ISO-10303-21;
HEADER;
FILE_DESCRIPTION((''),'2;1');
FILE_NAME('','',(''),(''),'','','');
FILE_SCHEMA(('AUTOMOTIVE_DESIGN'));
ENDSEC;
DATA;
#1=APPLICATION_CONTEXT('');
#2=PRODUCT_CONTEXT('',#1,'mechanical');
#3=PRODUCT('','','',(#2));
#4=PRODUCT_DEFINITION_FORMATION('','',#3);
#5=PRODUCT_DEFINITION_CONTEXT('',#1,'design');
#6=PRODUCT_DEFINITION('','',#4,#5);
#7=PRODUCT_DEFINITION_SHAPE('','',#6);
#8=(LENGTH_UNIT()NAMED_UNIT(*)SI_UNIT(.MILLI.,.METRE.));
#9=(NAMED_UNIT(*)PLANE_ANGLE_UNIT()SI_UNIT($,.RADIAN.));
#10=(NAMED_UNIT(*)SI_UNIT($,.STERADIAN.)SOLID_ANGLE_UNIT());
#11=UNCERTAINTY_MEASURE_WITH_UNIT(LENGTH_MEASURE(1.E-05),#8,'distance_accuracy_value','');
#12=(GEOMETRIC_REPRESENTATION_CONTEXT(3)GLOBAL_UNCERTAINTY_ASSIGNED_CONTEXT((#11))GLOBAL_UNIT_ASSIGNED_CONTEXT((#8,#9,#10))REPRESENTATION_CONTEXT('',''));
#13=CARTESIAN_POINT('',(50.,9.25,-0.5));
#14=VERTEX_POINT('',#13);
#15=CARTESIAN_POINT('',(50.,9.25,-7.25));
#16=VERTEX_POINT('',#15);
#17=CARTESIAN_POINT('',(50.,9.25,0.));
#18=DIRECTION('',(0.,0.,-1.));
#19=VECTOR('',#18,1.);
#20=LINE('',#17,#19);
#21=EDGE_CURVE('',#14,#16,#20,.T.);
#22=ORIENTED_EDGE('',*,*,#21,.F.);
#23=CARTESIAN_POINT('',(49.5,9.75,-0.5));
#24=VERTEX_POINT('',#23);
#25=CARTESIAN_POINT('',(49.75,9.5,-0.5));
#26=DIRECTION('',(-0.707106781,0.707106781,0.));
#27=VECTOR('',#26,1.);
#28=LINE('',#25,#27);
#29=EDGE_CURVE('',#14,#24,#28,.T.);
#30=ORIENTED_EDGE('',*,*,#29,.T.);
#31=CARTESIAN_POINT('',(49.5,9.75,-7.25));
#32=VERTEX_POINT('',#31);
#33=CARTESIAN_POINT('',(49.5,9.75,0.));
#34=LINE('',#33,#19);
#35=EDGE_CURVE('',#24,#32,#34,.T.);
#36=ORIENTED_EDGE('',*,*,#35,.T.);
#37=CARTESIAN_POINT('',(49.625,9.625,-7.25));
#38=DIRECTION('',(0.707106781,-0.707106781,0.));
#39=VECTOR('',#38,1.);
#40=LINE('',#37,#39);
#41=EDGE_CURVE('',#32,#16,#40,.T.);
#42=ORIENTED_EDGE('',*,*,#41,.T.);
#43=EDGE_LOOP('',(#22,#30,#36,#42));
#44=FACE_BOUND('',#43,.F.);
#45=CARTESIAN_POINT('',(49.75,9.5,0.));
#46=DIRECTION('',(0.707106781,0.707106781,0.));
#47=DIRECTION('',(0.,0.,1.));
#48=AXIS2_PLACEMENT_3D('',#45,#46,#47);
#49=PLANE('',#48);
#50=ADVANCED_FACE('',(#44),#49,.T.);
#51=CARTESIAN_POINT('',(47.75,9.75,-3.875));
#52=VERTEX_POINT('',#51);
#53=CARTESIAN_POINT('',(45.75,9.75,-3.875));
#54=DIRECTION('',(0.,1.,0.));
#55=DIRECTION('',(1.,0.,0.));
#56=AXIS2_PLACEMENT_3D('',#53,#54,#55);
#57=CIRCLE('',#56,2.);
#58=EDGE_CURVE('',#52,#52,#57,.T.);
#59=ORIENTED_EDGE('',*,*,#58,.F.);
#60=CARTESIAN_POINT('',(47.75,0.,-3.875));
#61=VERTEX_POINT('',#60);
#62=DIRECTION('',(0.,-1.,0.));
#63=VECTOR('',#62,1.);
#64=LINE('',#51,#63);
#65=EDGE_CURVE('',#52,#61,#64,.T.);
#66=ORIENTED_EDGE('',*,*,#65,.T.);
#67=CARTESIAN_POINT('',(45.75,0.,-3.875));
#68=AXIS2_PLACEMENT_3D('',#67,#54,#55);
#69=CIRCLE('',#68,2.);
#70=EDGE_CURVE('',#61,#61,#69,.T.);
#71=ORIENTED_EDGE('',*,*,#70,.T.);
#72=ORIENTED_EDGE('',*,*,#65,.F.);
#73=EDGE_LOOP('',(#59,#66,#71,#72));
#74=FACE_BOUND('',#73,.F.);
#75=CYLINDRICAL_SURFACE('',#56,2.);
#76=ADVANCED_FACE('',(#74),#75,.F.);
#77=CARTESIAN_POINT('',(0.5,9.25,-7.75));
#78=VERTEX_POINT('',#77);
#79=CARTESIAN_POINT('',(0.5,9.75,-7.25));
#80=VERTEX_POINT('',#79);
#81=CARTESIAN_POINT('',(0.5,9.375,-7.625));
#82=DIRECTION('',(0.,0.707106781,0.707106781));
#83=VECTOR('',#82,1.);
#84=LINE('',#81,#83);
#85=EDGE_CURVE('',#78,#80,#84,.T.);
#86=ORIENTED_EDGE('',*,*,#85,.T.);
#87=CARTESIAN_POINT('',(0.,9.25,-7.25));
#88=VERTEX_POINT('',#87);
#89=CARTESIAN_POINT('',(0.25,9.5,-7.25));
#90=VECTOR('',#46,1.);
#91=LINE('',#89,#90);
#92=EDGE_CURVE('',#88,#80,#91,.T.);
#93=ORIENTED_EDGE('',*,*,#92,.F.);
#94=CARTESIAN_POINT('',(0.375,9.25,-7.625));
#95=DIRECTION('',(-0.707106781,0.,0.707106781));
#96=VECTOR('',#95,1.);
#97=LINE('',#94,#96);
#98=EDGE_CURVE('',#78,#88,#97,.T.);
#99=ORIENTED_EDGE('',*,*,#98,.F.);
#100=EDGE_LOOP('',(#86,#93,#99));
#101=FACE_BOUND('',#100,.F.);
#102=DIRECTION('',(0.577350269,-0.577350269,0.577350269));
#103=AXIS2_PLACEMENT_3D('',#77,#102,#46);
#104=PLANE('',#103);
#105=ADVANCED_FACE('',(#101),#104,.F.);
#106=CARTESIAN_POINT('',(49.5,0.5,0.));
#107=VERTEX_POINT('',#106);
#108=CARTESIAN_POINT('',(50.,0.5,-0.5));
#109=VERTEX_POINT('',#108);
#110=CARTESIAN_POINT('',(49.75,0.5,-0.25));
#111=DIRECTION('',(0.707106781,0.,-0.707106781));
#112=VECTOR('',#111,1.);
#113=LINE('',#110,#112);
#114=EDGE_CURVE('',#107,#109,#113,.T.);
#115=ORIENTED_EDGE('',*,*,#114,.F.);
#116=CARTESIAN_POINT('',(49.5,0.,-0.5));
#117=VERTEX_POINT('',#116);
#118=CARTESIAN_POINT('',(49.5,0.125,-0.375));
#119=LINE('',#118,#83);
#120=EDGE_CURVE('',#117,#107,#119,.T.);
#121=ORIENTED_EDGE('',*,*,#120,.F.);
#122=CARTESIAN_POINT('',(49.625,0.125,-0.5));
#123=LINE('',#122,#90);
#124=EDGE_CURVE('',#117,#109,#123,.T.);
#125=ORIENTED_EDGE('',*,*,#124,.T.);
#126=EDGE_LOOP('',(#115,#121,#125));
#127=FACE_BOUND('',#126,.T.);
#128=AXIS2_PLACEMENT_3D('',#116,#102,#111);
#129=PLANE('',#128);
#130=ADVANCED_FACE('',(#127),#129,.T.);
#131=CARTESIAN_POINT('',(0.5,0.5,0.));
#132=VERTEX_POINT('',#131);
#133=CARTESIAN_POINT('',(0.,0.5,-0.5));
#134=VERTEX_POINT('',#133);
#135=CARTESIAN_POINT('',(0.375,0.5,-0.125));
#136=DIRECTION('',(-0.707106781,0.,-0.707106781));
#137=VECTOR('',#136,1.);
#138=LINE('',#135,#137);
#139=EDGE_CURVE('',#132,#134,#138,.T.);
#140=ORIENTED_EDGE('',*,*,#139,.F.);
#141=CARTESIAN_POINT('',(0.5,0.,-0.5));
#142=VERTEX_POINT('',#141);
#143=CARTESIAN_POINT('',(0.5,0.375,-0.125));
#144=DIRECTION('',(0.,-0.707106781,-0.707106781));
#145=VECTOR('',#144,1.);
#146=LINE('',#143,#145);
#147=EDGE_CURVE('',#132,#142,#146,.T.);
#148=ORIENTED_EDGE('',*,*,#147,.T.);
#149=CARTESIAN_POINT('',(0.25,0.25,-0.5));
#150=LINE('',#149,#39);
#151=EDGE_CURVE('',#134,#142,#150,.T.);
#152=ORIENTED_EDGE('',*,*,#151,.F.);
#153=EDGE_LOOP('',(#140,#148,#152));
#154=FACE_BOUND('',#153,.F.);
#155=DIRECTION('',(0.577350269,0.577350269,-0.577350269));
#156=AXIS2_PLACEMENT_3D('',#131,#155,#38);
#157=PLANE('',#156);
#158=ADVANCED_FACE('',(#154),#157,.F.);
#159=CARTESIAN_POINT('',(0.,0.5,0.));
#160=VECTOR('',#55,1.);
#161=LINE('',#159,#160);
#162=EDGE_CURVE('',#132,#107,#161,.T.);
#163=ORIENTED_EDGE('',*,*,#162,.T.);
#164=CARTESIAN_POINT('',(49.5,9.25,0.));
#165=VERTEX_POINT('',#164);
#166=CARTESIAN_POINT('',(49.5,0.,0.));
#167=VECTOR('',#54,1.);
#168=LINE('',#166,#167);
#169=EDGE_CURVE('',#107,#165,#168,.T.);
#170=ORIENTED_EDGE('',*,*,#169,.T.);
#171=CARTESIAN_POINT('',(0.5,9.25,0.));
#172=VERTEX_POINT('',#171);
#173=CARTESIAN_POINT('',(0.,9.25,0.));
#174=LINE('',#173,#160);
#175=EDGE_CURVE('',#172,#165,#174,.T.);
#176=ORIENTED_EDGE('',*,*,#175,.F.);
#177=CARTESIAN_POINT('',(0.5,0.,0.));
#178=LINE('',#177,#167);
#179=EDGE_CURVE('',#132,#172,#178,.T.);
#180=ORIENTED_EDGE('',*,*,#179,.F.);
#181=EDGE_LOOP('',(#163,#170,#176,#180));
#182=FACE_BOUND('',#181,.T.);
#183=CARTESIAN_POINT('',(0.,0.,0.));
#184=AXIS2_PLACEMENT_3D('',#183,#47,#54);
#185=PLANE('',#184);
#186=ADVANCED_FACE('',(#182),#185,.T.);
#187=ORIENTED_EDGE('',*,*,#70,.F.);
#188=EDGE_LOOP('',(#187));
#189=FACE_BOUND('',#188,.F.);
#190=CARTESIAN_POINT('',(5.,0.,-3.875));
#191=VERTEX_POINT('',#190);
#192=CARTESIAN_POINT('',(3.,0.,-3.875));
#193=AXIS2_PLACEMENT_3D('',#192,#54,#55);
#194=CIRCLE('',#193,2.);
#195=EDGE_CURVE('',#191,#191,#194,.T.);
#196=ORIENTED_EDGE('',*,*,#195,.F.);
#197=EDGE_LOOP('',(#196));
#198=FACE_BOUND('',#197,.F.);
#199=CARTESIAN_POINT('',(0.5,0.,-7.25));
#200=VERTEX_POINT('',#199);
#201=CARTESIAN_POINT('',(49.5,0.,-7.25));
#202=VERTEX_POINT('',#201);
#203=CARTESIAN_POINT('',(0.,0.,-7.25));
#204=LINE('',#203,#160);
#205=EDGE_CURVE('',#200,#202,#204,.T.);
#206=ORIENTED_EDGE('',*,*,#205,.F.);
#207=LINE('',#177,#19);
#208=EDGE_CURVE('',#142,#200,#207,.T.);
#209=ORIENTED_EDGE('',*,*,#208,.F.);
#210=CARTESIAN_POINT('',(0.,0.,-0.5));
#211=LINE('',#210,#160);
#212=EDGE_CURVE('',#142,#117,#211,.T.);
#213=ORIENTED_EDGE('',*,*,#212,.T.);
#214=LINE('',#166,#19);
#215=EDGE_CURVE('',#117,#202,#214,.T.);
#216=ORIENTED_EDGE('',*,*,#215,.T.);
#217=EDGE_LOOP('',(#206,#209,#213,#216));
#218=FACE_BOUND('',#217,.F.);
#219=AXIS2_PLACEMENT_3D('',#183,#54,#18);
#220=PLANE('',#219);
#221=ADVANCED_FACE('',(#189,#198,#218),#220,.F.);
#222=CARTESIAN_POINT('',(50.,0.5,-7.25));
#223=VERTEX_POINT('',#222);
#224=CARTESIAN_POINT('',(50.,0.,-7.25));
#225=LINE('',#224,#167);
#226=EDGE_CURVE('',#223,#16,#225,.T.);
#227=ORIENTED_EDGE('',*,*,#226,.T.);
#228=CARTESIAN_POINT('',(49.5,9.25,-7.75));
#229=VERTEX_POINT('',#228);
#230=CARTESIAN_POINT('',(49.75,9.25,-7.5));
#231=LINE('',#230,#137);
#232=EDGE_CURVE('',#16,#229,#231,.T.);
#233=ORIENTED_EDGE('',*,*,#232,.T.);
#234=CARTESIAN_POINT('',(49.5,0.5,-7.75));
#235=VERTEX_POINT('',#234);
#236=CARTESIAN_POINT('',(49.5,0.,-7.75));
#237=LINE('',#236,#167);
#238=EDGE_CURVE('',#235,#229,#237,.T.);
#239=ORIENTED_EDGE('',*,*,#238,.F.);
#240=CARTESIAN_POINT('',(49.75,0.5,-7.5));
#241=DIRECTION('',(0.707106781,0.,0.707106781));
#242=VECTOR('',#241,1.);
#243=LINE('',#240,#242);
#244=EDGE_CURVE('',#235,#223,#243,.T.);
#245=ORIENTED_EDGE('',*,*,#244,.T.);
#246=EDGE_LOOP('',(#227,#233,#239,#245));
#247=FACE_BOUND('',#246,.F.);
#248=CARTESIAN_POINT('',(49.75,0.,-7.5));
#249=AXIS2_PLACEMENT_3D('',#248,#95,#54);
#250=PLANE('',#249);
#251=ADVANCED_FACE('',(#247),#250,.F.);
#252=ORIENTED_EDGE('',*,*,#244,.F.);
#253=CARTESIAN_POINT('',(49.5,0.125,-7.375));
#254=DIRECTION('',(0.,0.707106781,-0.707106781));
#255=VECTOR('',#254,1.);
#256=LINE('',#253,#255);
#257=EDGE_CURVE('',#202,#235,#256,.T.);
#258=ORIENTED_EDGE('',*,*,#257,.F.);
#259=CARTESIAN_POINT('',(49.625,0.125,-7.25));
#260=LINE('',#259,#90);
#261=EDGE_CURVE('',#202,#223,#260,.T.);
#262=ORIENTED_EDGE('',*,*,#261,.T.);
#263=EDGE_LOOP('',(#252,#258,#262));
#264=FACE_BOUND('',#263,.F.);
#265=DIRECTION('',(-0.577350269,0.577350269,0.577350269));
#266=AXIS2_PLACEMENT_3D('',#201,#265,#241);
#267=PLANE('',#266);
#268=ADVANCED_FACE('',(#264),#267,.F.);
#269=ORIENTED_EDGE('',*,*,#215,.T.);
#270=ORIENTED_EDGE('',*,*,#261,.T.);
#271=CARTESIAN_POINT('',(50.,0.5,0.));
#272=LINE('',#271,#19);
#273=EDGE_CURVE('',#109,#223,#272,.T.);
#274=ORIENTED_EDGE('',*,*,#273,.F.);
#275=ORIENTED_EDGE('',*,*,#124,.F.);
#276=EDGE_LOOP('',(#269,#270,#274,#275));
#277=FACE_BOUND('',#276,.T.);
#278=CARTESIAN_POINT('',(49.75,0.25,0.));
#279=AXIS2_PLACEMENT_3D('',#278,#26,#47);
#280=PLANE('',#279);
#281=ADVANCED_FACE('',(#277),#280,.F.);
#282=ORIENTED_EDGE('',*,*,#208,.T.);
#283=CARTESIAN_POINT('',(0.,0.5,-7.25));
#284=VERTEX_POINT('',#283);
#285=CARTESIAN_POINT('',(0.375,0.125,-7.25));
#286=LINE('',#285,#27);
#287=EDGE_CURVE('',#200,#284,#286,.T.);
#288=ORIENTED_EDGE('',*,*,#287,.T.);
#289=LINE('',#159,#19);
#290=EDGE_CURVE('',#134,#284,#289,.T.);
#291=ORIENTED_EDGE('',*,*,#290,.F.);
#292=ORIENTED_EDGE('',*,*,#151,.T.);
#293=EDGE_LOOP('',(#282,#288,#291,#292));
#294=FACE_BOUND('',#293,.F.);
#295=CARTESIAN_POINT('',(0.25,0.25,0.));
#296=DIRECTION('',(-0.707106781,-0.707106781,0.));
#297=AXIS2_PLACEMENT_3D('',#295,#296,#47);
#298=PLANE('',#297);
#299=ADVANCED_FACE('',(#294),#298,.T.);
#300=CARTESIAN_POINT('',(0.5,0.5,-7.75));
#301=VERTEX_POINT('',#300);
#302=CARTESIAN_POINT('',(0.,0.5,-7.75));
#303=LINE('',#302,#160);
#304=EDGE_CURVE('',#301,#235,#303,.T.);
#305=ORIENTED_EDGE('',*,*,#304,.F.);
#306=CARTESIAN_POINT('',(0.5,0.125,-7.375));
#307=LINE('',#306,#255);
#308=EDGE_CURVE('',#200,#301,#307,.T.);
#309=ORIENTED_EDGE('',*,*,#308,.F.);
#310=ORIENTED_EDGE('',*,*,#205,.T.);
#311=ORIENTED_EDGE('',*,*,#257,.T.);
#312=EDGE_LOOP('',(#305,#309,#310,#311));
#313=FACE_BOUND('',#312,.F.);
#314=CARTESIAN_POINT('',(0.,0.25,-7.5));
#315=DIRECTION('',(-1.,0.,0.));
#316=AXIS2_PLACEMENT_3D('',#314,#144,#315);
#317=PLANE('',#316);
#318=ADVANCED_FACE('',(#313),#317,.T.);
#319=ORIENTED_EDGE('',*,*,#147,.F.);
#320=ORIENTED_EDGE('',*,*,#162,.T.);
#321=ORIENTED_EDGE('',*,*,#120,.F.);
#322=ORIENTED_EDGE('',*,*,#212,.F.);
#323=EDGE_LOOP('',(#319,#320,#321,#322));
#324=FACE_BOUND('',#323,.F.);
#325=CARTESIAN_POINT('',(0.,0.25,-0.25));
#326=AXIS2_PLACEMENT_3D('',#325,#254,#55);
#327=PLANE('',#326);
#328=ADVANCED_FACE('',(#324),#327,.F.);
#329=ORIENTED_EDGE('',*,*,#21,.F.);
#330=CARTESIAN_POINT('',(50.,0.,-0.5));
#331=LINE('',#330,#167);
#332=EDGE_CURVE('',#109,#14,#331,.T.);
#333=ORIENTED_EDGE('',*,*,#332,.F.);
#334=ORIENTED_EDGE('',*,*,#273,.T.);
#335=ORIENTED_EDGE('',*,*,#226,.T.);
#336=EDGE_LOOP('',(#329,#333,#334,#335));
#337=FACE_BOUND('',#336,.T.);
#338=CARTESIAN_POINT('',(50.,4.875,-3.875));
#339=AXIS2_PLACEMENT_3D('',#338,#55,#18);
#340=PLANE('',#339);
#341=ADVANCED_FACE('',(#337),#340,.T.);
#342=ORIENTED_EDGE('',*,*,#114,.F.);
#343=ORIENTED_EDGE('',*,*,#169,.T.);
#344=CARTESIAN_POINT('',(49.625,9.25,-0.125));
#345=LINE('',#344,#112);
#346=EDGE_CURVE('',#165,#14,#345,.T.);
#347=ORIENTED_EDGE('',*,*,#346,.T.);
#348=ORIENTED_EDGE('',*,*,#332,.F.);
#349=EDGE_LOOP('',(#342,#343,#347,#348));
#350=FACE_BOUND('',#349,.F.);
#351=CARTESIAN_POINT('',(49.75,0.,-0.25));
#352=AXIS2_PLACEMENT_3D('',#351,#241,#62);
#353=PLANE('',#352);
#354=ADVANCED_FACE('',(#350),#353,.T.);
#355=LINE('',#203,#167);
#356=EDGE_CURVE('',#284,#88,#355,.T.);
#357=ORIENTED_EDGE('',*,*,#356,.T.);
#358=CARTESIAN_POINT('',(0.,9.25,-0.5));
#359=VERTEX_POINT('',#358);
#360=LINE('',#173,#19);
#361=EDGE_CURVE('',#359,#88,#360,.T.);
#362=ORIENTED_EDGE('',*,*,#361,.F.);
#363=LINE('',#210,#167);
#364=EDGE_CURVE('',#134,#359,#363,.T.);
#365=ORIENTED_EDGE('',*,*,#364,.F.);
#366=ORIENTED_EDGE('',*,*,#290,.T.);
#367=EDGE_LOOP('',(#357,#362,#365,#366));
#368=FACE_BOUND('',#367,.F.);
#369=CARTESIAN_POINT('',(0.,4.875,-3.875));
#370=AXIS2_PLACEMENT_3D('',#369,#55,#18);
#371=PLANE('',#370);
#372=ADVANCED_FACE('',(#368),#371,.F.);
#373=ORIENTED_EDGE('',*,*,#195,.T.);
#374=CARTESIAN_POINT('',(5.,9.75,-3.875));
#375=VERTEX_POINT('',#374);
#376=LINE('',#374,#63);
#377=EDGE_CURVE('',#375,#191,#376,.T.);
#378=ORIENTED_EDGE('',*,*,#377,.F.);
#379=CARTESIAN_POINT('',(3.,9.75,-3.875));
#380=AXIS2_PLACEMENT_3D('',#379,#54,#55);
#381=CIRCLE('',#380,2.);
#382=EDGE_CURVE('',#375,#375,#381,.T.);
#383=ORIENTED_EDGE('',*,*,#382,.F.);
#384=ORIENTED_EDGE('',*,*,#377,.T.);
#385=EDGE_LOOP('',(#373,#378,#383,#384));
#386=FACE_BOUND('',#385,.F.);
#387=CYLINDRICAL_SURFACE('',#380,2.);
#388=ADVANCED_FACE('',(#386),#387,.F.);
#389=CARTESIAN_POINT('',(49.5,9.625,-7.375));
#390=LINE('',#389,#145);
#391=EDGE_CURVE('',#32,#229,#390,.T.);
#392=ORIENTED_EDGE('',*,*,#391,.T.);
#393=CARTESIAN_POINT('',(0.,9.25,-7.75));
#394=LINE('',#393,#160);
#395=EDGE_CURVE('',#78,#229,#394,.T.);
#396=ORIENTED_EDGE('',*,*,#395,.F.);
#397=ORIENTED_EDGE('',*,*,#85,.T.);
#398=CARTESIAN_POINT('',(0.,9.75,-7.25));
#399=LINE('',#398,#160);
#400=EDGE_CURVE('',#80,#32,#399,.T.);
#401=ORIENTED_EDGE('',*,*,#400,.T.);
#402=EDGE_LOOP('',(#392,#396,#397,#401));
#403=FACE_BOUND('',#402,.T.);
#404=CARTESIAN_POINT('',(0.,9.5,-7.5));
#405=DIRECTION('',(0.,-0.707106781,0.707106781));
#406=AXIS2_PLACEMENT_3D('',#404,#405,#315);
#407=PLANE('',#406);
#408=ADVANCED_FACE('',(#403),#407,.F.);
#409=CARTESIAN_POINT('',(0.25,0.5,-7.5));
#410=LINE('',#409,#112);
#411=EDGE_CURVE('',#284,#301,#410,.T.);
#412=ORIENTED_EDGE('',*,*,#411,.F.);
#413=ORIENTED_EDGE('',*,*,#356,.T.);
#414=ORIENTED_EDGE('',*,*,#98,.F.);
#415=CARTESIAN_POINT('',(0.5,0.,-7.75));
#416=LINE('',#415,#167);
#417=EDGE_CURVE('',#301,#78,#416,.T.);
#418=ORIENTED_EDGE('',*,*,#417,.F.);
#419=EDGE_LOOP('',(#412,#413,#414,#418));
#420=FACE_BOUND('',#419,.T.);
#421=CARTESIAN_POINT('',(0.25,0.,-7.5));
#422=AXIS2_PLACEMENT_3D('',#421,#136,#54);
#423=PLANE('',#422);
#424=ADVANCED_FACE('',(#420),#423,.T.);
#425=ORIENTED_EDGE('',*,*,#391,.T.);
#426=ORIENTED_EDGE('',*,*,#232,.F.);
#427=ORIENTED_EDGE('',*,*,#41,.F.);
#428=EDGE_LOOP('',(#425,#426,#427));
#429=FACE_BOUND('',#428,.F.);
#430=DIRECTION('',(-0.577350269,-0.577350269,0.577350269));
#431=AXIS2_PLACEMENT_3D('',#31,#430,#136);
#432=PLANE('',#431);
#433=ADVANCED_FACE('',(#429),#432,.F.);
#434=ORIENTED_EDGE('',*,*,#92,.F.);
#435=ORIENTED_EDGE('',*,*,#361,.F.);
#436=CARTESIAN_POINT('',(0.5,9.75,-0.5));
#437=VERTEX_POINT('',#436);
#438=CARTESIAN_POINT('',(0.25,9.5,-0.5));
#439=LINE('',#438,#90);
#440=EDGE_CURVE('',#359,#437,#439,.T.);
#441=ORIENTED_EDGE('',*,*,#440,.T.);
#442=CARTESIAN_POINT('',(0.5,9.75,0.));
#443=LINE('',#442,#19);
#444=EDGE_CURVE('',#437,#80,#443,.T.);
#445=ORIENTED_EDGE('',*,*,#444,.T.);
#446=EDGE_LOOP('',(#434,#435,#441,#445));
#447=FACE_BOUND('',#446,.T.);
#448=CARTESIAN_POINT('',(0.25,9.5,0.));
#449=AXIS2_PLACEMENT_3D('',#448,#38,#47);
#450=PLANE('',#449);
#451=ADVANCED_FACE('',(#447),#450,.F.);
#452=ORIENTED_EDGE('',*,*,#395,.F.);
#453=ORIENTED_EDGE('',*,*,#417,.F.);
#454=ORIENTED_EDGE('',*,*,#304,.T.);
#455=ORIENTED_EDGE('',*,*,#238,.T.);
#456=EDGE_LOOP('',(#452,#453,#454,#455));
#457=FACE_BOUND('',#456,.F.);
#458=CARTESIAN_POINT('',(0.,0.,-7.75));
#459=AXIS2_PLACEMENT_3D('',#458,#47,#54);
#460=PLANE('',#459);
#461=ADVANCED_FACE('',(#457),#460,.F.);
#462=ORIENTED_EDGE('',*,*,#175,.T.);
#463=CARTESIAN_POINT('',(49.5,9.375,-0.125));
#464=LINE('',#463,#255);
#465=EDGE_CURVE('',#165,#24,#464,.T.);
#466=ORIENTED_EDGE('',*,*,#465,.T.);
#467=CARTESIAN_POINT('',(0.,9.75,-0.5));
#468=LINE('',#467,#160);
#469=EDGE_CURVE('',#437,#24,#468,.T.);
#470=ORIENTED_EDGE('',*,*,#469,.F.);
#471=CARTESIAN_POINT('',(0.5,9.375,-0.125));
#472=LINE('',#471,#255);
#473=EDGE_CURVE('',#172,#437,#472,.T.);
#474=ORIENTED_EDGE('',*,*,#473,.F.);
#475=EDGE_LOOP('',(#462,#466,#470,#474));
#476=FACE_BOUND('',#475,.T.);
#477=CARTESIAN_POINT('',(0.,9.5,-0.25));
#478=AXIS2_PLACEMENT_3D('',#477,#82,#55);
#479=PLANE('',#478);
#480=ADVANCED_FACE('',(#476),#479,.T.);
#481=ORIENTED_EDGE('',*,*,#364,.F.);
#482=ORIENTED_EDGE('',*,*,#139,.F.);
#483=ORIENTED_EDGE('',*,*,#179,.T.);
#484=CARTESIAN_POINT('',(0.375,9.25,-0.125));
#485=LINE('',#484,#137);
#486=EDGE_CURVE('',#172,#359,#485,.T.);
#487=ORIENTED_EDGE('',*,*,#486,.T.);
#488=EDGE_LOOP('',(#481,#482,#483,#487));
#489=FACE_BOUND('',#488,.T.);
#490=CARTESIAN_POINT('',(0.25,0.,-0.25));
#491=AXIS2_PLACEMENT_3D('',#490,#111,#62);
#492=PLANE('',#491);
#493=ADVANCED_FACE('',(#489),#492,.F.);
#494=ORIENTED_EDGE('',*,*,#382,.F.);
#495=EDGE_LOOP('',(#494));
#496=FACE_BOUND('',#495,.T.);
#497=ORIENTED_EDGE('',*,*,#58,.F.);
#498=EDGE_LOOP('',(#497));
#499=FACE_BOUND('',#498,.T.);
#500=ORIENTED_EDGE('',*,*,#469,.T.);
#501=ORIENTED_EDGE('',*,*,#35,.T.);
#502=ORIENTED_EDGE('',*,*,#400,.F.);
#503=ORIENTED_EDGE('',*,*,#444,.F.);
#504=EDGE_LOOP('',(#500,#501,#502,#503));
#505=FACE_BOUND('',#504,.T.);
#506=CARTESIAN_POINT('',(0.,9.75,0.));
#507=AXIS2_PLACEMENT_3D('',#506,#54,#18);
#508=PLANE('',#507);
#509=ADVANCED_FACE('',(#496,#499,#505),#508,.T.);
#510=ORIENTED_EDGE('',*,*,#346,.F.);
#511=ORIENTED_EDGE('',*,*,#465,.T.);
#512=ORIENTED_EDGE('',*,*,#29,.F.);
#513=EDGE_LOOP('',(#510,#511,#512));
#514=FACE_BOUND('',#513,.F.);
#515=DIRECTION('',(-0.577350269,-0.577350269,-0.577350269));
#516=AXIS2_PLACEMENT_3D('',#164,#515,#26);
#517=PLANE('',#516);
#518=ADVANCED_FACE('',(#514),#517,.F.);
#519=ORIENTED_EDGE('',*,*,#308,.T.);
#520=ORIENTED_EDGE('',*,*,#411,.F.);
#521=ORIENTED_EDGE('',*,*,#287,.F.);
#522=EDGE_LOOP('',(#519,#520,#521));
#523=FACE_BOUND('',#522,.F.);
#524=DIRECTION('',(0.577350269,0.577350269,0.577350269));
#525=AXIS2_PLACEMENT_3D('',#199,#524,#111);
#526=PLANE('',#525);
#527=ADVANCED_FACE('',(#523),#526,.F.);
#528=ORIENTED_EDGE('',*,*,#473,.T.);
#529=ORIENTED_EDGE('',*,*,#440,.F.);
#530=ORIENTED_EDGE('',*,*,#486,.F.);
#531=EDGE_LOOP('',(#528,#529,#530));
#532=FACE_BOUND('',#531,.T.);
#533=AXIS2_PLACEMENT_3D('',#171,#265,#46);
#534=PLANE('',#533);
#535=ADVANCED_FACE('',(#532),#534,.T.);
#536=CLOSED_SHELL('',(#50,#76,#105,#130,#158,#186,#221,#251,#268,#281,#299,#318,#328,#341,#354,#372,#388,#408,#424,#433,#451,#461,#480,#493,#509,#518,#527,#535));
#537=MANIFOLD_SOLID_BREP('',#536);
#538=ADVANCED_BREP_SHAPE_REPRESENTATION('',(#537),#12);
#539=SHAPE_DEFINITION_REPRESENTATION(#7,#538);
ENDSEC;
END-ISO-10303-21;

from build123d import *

# Parameters (mm, degrees)
SKETCH1_W           = 7.75
SKETCH1_H           = 9.75
BOSS_EXTRUDE1_DEPTH = 50
SKETCH4_R           = 2
CUT_EXTRUDE3_DEPTH  = 9.75
CHAMFER1_SIZE       = 0.5


with BuildPart() as part:
    # Sketch1 → Boss-Extrude1 (new body)
    with BuildSketch(Plane(origin=(0, 0, 0), x_dir=(0, 0, -1), z_dir=(1, 0, 0))):
        with Locations((3.875, 4.875)):
            Rectangle(SKETCH1_W, SKETCH1_H)
    extrude(amount=BOSS_EXTRUDE1_DEPTH)

    # Sketch4 → Cut-Extrude3 (cut)
    with BuildSketch(Plane(origin=(0, 9.75, 0), x_dir=(1, 0, 0), z_dir=(0, 1, 0))):
        with Locations((3, 3.875)):
            Circle(SKETCH4_R)
        with Locations((45.75, 3.875)):
            Circle(SKETCH4_R)
    extrude(amount=-CUT_EXTRUDE3_DEPTH, mode=Mode.SUBTRACT)

    # Chamfer1
    chamfer1_edges = [part.edges().sort_by_distance(p)[0] for p in [
        (50, 4.875, -7.75),
        (50, 9.75, -3.875),
        (50, 4.875, 0),
        (0, 9.75, -3.875),
        (0, 4.875, -7.75),
        (0, 0, -3.875),
        (0, 4.875, 0),
        (25, 9.75, 0),
        (25, 9.75, -7.75),
        (25, 0, -7.75),
        (25, 0, 0),
        (50, 0, -3.875),
    ]]
    chamfer(chamfer1_edges, length=CHAMFER1_SIZE)


solid = part.part
